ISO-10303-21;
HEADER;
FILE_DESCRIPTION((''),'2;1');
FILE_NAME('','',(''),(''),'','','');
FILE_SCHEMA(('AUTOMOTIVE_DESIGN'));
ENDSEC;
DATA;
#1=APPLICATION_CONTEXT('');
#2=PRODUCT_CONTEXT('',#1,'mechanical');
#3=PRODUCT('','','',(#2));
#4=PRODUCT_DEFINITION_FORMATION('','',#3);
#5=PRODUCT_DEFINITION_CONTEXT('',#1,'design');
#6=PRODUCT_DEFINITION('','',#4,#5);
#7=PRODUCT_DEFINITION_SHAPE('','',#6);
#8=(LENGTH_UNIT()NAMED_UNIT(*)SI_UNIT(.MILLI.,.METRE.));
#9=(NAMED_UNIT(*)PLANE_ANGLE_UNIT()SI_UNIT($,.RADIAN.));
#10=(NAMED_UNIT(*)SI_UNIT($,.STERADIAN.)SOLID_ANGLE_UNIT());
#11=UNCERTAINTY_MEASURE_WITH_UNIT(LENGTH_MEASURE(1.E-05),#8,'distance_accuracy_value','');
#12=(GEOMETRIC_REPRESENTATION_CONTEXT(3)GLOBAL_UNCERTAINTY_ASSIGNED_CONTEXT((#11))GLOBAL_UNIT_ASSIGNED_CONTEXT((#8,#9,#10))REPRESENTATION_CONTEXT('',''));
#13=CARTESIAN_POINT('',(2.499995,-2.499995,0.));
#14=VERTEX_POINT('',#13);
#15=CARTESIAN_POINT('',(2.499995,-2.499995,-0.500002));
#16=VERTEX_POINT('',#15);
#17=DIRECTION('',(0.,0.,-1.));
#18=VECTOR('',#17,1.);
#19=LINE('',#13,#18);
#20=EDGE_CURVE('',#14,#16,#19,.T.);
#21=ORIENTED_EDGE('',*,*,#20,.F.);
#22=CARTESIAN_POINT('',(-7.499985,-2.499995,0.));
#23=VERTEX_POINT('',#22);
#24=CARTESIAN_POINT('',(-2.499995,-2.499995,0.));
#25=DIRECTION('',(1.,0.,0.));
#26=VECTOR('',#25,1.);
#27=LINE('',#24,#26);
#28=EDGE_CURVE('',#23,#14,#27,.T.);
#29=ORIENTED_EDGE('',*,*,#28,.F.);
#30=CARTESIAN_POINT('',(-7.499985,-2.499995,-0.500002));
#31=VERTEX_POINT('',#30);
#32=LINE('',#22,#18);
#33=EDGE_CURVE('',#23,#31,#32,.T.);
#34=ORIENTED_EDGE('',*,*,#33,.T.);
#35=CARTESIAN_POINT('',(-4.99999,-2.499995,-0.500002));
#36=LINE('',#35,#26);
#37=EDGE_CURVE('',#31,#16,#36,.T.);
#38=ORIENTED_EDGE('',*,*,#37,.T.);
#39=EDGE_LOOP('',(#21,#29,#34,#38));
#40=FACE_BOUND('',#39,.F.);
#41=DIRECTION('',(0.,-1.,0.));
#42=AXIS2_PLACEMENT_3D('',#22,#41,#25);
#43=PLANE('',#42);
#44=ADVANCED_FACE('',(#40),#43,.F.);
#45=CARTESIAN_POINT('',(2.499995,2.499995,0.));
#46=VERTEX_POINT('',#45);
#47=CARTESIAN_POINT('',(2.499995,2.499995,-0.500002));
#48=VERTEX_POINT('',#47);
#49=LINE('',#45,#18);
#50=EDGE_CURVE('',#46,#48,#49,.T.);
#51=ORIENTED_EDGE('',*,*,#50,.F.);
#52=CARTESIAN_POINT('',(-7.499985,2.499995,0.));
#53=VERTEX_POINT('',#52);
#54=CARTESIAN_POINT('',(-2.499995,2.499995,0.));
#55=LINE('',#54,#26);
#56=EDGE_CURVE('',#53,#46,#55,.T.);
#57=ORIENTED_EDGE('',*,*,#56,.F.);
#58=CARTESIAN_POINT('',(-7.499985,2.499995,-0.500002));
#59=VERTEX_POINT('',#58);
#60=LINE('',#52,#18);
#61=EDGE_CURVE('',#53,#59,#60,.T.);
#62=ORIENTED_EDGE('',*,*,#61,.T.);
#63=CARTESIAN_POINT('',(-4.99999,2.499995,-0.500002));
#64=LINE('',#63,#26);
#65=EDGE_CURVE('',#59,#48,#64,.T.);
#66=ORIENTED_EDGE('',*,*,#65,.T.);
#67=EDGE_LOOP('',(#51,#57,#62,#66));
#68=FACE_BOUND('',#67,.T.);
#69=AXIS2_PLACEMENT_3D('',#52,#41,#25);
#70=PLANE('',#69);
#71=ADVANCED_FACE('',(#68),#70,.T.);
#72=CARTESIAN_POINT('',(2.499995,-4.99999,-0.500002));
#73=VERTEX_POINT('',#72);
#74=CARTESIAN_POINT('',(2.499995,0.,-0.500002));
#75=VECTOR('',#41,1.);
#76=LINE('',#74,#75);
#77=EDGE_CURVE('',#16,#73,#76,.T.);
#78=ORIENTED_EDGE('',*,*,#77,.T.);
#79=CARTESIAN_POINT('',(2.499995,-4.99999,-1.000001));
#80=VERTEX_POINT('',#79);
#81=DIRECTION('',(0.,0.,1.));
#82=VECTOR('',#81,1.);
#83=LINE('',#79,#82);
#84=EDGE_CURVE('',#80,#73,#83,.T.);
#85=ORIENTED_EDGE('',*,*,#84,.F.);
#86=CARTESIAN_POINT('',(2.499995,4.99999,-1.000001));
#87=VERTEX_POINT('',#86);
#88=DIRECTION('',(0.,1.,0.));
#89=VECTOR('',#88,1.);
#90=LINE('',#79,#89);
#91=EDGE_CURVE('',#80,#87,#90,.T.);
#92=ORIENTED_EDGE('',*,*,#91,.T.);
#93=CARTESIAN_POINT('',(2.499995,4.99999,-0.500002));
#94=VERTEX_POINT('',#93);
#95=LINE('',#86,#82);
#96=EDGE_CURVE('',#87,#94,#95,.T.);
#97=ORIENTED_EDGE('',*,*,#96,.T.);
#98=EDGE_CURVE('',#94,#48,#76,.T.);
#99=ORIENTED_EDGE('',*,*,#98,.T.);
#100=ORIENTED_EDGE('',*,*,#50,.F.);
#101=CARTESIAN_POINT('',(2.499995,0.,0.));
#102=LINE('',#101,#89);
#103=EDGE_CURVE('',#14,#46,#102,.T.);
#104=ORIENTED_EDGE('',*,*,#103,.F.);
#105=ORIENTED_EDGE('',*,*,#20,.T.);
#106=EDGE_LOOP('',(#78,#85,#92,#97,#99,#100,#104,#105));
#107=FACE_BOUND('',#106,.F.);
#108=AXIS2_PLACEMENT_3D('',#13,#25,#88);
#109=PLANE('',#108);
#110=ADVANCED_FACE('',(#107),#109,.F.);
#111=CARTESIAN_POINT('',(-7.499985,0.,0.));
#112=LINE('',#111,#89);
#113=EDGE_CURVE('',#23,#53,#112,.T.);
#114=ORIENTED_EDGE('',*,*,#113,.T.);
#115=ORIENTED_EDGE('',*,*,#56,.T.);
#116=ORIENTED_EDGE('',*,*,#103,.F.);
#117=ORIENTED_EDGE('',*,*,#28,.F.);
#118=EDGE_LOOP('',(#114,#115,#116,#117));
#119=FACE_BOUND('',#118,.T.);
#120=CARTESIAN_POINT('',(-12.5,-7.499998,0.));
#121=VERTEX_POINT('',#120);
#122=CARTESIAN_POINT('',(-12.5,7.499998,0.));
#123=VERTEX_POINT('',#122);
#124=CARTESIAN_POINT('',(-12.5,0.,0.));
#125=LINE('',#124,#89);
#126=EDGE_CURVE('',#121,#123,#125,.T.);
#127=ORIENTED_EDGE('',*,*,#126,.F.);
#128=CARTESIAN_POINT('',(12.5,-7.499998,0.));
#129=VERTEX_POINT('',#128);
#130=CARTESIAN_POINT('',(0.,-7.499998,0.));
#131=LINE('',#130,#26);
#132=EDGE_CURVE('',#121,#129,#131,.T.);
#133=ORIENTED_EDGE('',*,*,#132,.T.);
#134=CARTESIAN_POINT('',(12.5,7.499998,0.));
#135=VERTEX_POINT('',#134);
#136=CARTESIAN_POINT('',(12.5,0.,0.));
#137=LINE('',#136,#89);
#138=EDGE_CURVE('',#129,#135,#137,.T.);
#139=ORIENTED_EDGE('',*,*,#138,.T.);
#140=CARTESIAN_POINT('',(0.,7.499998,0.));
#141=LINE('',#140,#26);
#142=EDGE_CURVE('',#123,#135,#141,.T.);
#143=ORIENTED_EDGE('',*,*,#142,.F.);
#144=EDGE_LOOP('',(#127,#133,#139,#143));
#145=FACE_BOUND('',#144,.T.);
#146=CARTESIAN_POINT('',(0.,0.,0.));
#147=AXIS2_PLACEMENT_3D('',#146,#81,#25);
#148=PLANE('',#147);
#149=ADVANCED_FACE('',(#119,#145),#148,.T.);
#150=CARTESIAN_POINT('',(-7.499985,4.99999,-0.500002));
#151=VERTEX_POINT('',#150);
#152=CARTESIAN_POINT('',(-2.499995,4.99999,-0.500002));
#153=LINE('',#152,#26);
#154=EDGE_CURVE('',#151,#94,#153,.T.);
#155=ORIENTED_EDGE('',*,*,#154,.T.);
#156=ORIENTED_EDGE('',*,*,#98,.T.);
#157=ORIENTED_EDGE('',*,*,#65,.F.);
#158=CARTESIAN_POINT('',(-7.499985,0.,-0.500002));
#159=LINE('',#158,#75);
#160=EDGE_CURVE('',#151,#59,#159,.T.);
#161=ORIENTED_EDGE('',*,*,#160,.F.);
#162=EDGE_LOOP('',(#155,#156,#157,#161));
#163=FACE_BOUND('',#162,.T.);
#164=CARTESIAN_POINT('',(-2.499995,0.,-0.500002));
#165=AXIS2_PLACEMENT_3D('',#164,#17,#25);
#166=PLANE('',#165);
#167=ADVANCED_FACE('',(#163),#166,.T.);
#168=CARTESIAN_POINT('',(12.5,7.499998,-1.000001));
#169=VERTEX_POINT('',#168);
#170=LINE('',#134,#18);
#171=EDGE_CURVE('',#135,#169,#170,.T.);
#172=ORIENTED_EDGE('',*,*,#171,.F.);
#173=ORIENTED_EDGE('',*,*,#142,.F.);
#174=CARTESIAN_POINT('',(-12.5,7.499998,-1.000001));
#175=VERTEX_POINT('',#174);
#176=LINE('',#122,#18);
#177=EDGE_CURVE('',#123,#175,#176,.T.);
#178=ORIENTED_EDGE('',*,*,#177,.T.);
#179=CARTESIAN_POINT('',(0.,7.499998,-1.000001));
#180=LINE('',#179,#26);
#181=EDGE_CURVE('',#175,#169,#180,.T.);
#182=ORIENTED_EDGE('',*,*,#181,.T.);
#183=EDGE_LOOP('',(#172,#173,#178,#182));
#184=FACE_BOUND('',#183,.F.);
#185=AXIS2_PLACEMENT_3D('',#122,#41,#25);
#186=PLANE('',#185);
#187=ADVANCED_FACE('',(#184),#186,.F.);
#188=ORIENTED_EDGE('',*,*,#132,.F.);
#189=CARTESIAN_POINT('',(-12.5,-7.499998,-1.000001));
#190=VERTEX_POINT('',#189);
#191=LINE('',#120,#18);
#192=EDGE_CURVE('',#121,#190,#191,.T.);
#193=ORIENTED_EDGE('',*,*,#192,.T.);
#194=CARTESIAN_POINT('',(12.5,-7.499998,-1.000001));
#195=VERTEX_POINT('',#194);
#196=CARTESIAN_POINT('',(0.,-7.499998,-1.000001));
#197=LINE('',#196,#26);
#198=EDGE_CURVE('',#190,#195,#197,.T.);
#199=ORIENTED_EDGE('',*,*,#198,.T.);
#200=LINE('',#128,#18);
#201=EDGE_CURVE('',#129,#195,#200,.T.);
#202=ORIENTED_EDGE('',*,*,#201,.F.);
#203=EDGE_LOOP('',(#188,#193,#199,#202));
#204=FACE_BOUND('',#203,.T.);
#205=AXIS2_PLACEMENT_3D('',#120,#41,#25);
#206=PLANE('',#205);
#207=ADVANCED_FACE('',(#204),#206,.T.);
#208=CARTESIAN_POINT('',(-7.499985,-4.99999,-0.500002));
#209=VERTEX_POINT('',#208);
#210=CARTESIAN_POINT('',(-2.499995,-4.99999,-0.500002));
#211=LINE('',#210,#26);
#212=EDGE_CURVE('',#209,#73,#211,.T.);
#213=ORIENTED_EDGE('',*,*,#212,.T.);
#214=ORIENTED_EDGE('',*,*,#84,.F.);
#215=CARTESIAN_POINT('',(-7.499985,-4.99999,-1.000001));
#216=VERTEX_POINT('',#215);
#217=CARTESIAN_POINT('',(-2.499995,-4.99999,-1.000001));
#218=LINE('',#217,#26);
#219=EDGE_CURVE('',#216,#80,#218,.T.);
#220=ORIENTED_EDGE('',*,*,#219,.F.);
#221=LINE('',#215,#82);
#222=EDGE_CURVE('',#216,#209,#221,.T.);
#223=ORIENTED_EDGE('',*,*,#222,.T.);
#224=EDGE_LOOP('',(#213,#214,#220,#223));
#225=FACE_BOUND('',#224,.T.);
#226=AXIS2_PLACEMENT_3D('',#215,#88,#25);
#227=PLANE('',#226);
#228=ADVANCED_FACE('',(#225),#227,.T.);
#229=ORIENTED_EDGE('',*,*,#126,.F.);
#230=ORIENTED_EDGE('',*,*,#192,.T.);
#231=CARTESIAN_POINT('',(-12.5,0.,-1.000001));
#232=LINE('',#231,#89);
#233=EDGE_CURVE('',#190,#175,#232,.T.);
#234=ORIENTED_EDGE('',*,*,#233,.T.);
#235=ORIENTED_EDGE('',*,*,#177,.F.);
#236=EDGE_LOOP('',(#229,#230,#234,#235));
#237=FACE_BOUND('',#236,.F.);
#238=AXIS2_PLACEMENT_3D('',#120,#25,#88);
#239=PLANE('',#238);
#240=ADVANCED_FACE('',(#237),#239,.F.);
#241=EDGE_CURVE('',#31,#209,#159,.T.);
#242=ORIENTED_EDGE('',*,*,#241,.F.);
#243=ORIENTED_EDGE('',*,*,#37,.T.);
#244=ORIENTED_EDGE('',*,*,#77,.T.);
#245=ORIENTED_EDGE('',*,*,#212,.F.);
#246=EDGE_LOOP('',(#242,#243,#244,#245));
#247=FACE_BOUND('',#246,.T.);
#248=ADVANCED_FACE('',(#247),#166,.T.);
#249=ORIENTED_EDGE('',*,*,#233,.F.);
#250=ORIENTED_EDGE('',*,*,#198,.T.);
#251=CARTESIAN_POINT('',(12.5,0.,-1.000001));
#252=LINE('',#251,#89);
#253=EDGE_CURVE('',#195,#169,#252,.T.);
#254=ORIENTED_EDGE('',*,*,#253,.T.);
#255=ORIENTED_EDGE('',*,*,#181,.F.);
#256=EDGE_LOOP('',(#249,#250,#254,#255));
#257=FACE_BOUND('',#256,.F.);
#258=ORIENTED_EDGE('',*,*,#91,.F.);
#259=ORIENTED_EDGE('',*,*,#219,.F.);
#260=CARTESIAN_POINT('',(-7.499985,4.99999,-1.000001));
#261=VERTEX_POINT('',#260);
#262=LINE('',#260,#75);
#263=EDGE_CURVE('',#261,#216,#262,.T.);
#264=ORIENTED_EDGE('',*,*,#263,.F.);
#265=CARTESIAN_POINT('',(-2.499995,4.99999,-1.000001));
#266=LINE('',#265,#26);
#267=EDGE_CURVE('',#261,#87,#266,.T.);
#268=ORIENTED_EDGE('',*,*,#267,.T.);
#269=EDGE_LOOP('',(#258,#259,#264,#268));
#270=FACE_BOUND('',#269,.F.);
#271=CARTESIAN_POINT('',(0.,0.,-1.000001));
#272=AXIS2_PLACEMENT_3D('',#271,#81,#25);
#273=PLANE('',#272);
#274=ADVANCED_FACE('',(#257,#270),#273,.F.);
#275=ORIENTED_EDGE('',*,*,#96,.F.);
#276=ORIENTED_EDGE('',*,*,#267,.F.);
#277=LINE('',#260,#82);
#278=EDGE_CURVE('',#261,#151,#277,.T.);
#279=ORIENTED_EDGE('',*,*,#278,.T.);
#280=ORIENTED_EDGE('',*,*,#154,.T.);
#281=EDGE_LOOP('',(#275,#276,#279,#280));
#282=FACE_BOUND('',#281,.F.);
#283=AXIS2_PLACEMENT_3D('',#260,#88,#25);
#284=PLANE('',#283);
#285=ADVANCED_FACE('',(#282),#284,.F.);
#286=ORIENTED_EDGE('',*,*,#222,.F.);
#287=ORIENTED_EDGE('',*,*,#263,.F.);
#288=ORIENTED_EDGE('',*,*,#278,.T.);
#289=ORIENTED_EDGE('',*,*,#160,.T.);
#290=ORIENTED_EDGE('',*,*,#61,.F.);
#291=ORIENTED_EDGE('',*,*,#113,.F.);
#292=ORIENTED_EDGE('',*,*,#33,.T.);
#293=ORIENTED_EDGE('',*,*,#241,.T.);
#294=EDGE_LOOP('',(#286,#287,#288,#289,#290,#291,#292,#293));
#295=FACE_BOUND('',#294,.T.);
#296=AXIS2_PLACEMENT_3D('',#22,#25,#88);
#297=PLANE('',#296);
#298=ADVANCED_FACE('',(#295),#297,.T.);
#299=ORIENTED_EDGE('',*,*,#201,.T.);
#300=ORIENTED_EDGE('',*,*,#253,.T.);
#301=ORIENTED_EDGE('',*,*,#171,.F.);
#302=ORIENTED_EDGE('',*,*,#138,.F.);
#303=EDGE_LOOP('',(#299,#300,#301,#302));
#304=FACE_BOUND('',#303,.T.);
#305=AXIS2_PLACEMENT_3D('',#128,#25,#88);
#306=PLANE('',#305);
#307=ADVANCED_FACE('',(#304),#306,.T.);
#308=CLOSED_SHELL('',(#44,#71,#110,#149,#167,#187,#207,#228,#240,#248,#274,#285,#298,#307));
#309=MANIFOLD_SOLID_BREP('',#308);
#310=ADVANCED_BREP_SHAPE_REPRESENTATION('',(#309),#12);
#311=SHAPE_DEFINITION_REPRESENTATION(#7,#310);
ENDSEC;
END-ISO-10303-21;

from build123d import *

# Parameters (mm, degrees)
F0_W     = 25
F0_H     = 14.999996
F1_DEPTH = 1.000001
F2_W     = 9.99998
F2_H     = 4.99999
F3_DEPTH = 25.4
F4_W     = 9.99998
F4_H     = 9.99998
F5_DEPTH = 0.499999


with BuildPart() as f1:
    # F0 (on Top) → F1 (new body)
    with BuildSketch(Plane.XY):
        Rectangle(F0_W, F0_H)
    extrude(amount=-F1_DEPTH)

    # F2 (on face) → F3 (cut)
    with BuildSketch(Plane.XY):
        with Locations((-2.499995, 0)):
            Rectangle(F2_W, F2_H)
    extrude(amount=-F3_DEPTH, mode=Mode.SUBTRACT)

    # F4 (on face) → F5 (cut)
    with BuildSketch(Plane(origin=(0, 0, -1.000001), x_dir=(1, 0, 0), z_dir=(0, 0, -1))):
        with Locations((-2.499995, 0)):
            Rectangle(F4_W, F4_H)
    extrude(amount=-F5_DEPTH, mode=Mode.SUBTRACT)


solid = f1.part
